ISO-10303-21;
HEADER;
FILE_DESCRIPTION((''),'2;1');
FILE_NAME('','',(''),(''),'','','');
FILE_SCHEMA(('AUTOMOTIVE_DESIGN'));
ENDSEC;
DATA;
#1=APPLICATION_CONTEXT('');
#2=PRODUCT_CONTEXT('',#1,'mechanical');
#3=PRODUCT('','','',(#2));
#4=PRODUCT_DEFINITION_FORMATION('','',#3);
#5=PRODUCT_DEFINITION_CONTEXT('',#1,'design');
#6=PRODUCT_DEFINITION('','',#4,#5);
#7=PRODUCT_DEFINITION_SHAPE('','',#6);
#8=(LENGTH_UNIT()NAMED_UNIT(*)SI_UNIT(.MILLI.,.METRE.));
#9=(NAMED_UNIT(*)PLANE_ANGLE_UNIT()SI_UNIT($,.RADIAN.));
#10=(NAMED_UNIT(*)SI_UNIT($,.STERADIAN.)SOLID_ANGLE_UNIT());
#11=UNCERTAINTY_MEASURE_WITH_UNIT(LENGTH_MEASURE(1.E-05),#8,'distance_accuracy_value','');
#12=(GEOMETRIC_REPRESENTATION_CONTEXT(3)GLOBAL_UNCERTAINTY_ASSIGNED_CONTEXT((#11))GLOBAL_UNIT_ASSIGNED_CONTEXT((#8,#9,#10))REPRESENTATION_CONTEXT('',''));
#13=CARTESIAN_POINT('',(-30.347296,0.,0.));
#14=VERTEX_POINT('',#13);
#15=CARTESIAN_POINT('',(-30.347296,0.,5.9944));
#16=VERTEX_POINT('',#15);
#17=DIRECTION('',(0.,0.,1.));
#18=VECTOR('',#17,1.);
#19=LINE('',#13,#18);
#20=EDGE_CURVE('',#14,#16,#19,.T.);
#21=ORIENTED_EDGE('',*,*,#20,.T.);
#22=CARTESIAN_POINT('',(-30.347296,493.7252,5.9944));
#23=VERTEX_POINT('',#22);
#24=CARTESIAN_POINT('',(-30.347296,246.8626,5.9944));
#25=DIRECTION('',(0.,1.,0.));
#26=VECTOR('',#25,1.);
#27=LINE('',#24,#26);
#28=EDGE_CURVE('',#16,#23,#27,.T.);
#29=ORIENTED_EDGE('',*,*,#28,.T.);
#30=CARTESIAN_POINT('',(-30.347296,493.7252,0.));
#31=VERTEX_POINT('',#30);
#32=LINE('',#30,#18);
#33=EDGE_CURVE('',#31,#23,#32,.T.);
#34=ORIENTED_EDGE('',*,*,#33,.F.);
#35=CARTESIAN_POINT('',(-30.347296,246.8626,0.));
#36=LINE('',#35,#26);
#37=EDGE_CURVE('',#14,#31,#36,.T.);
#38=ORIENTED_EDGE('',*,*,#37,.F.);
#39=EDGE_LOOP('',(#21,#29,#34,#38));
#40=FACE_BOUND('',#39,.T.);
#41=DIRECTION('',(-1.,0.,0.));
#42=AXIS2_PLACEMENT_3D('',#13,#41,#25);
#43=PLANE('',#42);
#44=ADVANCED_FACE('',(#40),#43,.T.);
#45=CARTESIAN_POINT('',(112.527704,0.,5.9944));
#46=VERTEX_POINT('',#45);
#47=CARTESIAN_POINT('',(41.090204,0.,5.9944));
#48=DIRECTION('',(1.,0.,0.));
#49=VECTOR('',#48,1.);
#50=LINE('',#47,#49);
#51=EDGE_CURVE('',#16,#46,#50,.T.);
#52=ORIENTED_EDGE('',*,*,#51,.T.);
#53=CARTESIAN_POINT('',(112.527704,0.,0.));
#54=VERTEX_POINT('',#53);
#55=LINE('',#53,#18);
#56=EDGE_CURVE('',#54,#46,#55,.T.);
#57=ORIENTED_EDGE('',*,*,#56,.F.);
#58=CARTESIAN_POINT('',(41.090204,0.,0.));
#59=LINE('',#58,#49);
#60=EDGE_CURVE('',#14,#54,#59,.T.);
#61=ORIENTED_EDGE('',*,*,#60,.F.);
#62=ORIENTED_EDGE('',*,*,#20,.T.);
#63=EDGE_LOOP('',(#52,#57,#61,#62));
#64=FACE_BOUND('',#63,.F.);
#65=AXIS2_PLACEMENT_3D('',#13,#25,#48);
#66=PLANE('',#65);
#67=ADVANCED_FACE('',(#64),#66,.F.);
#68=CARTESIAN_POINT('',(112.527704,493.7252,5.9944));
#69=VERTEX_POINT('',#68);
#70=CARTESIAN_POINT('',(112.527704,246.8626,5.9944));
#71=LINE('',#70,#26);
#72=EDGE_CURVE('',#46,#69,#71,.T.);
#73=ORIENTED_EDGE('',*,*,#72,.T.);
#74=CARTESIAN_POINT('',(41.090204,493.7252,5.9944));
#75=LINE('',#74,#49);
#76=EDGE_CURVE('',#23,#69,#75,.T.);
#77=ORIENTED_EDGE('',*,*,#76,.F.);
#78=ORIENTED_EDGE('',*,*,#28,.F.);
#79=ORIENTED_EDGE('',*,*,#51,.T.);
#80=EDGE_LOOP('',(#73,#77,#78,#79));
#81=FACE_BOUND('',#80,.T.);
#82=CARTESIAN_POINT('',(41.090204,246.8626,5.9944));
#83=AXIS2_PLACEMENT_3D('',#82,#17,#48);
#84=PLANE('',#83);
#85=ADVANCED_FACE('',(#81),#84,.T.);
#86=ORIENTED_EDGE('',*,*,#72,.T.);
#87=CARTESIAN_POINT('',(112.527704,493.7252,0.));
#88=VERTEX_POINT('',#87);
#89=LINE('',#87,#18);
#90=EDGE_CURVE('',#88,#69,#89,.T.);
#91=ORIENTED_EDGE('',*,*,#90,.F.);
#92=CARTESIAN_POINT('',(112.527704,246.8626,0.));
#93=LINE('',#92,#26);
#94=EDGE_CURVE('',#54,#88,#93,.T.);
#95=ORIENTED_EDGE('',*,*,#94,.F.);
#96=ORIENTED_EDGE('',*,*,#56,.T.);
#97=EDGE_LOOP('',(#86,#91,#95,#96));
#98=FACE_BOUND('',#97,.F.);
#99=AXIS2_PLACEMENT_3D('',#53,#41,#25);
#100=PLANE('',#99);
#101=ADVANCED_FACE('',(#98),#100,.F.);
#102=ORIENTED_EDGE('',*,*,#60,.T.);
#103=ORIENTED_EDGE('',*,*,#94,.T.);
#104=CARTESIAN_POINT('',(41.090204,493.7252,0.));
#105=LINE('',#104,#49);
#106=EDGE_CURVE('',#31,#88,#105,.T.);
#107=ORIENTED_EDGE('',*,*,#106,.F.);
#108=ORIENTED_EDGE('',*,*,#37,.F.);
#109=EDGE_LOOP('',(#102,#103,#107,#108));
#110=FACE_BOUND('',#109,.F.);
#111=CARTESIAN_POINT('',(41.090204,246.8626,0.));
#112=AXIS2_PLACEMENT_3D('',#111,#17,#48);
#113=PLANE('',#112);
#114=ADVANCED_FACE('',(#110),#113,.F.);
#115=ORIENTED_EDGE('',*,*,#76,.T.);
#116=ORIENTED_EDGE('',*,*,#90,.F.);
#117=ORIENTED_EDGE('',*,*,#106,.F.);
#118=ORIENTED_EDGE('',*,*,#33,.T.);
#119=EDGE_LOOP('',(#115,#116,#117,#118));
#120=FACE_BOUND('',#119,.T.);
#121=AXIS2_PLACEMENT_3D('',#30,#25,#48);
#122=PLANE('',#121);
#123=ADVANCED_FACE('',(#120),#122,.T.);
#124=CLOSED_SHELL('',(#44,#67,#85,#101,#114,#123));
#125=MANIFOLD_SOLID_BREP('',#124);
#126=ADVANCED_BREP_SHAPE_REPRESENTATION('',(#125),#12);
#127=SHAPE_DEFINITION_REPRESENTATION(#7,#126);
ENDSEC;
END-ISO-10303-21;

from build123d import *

# Parameters (mm, degrees)
SKETCH_W      = 142.875
SKETCH_H      = 493.7252
EXTRUDE_DEPTH = 5.9944


with BuildPart() as part:
    # Sketch → Extrude (new body)
    with BuildSketch(Plane.XY):
        with Locations((41.090204, 246.8626)):
            Rectangle(SKETCH_W, SKETCH_H)
    extrude(amount=EXTRUDE_DEPTH)


solid = part.part
